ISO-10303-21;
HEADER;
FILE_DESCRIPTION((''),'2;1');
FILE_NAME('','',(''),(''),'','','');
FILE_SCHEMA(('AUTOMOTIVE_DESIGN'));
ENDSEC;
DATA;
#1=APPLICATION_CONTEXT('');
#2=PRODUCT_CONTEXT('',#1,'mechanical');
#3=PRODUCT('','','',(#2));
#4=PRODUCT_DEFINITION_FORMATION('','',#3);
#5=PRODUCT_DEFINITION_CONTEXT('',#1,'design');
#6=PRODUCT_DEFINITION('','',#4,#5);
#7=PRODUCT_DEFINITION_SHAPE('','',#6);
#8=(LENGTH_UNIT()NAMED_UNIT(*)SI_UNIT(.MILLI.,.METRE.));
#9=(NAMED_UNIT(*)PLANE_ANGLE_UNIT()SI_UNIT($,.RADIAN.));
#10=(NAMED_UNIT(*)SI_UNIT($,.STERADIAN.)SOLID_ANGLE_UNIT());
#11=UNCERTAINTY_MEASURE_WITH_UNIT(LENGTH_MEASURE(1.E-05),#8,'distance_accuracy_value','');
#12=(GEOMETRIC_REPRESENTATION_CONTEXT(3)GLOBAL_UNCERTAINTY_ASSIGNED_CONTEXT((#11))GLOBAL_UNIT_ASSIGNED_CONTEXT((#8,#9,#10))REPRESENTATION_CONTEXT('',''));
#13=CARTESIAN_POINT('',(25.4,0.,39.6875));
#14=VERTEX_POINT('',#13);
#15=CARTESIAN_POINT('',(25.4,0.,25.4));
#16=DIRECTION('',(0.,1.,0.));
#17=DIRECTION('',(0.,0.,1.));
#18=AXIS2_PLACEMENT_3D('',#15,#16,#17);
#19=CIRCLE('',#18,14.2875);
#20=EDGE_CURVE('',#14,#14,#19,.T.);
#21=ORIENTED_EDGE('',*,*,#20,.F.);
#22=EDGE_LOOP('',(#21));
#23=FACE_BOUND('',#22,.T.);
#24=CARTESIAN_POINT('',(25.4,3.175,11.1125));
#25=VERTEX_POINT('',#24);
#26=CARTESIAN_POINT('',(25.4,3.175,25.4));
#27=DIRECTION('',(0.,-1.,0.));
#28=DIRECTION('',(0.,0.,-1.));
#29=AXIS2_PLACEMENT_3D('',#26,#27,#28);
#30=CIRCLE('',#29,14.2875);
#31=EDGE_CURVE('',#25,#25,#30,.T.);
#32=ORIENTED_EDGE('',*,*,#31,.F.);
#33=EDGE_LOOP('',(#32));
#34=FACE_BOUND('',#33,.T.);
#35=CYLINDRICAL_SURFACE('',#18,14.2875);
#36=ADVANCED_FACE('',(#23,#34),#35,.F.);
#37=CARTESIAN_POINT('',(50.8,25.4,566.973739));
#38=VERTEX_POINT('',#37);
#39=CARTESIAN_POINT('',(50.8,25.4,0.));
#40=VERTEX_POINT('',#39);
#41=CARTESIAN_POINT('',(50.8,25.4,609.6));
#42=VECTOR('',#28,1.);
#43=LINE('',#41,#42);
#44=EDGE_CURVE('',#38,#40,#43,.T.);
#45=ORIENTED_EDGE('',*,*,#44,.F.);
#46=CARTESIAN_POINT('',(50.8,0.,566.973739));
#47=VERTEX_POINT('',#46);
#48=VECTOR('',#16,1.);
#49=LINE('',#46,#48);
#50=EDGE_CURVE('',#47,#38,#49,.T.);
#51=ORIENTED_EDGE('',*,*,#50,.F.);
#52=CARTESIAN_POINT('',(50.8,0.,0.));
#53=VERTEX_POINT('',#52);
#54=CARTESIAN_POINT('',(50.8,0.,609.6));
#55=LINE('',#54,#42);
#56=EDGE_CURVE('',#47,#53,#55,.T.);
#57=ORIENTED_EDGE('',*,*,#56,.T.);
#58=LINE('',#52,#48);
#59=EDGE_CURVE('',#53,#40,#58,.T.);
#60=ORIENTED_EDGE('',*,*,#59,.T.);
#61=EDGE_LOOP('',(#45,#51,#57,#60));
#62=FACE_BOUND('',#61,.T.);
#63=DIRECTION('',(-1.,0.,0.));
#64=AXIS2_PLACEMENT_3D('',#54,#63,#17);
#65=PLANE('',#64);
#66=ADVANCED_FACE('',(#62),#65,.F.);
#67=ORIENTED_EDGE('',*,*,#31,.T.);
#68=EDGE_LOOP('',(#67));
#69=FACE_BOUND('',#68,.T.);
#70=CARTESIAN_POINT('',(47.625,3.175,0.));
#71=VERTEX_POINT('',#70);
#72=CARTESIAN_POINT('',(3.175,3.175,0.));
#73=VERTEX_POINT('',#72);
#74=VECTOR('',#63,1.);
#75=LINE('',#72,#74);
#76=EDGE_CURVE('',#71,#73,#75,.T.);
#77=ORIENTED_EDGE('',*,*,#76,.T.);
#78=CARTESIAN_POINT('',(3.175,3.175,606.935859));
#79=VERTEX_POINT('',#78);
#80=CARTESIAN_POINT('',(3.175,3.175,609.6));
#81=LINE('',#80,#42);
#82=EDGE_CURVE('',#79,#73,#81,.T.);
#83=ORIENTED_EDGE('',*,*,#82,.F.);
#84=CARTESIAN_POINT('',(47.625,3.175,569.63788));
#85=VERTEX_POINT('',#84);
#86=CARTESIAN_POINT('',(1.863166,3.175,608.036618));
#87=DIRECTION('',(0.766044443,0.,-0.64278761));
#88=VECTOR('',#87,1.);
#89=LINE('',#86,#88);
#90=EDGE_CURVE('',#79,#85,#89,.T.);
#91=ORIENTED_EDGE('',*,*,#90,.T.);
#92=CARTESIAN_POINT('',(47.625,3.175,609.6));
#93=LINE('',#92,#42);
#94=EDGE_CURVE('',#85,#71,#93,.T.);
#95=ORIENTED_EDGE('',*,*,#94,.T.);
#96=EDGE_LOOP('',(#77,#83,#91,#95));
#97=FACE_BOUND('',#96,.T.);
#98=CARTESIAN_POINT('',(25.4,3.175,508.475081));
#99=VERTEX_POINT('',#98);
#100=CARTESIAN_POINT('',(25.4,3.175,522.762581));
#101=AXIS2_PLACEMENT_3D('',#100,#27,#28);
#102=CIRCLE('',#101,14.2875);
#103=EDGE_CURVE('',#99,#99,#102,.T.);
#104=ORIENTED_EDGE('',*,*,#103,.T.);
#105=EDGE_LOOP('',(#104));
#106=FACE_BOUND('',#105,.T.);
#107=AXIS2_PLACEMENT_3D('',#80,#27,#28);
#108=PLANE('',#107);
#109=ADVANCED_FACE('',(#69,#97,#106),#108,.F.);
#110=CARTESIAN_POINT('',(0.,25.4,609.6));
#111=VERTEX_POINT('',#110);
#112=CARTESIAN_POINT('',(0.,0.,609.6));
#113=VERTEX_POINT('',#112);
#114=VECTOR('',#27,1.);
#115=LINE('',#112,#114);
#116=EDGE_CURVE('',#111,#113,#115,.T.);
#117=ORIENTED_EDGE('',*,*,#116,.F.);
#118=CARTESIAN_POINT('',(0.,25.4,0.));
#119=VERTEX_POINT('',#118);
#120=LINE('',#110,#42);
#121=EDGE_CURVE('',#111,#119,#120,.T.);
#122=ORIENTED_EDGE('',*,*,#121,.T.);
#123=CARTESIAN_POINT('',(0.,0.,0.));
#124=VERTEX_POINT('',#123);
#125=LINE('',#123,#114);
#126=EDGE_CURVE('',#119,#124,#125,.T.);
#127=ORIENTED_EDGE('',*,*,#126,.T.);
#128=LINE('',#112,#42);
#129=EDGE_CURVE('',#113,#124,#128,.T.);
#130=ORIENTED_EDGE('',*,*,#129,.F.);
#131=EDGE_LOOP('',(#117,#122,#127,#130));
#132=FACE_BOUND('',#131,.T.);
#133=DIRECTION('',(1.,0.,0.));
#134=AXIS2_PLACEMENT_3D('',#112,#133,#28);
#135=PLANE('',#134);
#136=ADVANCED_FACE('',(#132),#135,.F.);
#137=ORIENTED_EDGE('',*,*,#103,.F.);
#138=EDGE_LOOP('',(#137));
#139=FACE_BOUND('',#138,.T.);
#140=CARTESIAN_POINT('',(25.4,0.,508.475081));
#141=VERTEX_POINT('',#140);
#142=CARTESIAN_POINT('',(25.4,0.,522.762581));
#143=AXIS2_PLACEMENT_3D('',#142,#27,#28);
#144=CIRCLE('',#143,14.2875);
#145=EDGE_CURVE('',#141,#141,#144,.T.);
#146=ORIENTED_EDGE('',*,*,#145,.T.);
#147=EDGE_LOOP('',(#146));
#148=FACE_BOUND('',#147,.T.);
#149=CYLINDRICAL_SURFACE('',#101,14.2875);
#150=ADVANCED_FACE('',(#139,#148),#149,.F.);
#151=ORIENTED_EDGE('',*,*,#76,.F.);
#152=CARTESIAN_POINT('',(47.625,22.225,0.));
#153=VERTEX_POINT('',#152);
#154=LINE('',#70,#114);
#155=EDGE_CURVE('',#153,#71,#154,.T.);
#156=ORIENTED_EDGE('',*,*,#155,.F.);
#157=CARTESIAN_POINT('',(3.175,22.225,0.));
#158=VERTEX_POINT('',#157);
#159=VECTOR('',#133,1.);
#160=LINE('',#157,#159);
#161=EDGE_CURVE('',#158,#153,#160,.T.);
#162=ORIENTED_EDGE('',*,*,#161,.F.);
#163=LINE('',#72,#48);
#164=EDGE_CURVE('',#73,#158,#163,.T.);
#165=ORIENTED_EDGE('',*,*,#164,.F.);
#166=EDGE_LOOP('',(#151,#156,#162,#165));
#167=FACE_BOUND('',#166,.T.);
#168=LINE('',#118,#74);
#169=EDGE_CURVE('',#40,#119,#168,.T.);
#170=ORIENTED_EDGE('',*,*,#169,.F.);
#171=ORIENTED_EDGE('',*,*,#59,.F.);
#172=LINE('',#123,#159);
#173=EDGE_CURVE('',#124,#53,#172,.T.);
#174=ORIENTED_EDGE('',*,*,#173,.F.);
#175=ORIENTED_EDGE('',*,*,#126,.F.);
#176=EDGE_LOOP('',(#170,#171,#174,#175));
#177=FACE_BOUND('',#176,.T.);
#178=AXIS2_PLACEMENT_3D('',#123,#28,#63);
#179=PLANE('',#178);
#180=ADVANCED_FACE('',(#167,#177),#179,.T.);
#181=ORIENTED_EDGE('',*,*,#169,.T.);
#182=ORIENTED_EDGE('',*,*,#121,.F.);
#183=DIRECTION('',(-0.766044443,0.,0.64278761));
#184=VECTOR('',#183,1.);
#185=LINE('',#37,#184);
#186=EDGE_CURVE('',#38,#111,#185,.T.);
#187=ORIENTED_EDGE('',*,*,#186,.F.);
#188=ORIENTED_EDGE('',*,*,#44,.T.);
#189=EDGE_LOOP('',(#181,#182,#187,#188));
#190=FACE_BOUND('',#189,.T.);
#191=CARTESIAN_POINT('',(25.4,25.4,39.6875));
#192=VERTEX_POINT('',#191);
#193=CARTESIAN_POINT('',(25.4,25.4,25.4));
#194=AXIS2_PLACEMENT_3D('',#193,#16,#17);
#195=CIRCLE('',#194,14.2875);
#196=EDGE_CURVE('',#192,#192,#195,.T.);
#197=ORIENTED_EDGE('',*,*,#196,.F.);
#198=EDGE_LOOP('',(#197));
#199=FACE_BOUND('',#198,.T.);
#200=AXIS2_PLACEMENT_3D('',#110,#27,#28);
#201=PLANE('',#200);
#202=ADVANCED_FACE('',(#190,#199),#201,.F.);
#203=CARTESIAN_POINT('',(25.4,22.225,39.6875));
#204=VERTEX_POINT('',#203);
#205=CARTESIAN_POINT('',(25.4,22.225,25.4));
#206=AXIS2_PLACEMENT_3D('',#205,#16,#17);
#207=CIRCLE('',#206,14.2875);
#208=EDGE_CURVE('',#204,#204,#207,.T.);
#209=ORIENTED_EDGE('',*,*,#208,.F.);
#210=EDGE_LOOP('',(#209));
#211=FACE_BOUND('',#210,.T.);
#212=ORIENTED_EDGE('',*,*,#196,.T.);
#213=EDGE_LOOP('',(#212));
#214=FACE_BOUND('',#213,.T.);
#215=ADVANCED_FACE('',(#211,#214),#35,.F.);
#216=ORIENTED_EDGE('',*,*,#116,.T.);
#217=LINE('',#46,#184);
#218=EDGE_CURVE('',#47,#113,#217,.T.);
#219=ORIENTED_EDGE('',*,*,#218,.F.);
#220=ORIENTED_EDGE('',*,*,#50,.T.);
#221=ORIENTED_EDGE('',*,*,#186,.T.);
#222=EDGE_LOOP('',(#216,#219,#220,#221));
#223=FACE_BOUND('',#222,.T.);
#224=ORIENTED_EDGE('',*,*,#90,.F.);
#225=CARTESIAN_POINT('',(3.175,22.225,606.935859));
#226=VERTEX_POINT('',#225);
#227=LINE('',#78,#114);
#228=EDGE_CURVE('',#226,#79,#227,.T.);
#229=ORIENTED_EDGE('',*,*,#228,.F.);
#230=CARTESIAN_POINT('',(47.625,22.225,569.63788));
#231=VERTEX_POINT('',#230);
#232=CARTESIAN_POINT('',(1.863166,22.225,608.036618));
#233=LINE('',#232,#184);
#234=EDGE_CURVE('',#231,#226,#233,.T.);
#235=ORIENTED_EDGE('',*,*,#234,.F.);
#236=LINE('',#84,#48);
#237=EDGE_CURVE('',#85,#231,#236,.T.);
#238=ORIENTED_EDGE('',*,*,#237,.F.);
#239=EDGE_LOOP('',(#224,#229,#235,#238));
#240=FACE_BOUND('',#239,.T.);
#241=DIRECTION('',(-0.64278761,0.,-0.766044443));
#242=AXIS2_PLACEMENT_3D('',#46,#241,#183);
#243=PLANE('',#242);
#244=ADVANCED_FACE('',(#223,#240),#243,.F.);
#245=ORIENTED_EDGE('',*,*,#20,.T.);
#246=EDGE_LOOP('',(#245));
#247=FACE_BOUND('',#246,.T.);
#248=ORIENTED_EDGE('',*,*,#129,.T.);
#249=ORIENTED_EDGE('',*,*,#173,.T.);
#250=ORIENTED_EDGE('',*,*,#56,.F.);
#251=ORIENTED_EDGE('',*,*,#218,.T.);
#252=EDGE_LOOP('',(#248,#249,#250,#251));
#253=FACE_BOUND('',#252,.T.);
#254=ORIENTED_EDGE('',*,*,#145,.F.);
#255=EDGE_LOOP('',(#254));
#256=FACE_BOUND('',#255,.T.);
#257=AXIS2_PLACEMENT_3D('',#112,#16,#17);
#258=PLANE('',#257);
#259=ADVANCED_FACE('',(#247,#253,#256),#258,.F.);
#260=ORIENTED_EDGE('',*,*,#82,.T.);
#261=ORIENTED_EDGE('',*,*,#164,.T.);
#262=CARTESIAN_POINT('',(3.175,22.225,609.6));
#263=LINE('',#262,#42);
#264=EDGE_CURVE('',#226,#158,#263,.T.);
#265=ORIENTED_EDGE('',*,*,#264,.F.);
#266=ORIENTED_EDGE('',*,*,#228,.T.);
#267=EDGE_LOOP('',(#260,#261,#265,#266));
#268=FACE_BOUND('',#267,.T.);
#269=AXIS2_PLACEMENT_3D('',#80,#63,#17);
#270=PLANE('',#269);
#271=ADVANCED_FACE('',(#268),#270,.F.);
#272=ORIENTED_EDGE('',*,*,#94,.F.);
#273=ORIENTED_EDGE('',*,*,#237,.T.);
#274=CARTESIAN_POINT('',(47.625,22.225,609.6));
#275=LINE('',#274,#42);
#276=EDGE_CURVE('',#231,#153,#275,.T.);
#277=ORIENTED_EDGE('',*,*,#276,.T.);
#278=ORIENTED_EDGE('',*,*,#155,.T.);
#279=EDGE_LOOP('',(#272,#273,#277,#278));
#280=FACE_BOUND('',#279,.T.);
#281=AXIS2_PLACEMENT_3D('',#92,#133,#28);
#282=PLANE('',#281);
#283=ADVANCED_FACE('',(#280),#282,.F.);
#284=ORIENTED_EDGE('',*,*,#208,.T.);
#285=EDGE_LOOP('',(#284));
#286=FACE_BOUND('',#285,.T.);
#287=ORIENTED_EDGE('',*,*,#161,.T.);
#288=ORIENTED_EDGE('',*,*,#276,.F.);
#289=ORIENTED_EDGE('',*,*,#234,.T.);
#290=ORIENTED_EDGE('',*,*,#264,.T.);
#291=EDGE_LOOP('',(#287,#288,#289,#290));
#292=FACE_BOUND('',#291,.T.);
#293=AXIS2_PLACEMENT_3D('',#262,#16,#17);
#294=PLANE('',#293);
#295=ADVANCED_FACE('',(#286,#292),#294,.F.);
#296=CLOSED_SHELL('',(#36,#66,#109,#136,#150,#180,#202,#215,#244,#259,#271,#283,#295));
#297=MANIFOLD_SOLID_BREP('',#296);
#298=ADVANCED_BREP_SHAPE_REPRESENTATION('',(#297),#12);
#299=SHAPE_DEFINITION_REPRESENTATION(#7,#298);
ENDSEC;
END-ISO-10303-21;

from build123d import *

# Parameters (mm, degrees)
SKETCH1_W           = 50.8
SKETCH1_H           = 25.4
BOSS_EXTRUDE1_DEPTH = 609.6
SKETCH2_W           = 44.45
SKETCH2_H           = 19.05
CUT_EXTRUDE1_DEPTH  = 609.6
SKETCH6_R           = 14.2875
CUT_EXTRUDE5_DEPTH  = 25.4
CUT_EXTRUDE6_DEPTH  = 25.4
SKETCH8_R           = 14.2875
CUT_EXTRUDE7_DEPTH  = 3.175


with BuildPart() as part:
    # Sketch1 → Boss-Extrude1 (new body)
    with BuildSketch(Plane.XY):
        with Locations((25.4, 12.7)):
            Rectangle(SKETCH1_W, SKETCH1_H)
    extrude(amount=BOSS_EXTRUDE1_DEPTH)

    # Sketch2 → Cut-Extrude1 (cut)
    with BuildSketch(Plane(origin=(0, 0, 0), x_dir=(-1, 0, 0), z_dir=(0, 0, -1))):
        with Locations((-25.4, 12.7)):
            Rectangle(SKETCH2_W, SKETCH2_H)
    extrude(amount=-CUT_EXTRUDE1_DEPTH, mode=Mode.SUBTRACT)

    # Sketch6 → Cut-Extrude5 (cut)
    with BuildSketch(Plane(origin=(0, 25.4, 0), x_dir=(1, 0, 0), z_dir=(0, 1, 0))):
        with Locations((25.4, -25.4)):
            Circle(SKETCH6_R)
    extrude(amount=-CUT_EXTRUDE5_DEPTH, mode=Mode.SUBTRACT)

    # Sketch7 → Cut-Extrude6 (cut)
    with BuildSketch(Plane(origin=(0, 25.4, 0), x_dir=(1, 0, 0), z_dir=(0, 1, 0))):
        Polygon((50.8, -566.973738736), (50.8, -609.6), (0, -609.6), align=None)
    extrude(amount=-CUT_EXTRUDE6_DEPTH, mode=Mode.SUBTRACT)

    # Sketch8 → Cut-Extrude7 (cut)
    with BuildSketch(Plane.XZ):
        with Locations((25.4, 522.762581257)):
            Circle(SKETCH8_R)
    extrude(amount=-CUT_EXTRUDE7_DEPTH, mode=Mode.SUBTRACT)


solid = part.part
